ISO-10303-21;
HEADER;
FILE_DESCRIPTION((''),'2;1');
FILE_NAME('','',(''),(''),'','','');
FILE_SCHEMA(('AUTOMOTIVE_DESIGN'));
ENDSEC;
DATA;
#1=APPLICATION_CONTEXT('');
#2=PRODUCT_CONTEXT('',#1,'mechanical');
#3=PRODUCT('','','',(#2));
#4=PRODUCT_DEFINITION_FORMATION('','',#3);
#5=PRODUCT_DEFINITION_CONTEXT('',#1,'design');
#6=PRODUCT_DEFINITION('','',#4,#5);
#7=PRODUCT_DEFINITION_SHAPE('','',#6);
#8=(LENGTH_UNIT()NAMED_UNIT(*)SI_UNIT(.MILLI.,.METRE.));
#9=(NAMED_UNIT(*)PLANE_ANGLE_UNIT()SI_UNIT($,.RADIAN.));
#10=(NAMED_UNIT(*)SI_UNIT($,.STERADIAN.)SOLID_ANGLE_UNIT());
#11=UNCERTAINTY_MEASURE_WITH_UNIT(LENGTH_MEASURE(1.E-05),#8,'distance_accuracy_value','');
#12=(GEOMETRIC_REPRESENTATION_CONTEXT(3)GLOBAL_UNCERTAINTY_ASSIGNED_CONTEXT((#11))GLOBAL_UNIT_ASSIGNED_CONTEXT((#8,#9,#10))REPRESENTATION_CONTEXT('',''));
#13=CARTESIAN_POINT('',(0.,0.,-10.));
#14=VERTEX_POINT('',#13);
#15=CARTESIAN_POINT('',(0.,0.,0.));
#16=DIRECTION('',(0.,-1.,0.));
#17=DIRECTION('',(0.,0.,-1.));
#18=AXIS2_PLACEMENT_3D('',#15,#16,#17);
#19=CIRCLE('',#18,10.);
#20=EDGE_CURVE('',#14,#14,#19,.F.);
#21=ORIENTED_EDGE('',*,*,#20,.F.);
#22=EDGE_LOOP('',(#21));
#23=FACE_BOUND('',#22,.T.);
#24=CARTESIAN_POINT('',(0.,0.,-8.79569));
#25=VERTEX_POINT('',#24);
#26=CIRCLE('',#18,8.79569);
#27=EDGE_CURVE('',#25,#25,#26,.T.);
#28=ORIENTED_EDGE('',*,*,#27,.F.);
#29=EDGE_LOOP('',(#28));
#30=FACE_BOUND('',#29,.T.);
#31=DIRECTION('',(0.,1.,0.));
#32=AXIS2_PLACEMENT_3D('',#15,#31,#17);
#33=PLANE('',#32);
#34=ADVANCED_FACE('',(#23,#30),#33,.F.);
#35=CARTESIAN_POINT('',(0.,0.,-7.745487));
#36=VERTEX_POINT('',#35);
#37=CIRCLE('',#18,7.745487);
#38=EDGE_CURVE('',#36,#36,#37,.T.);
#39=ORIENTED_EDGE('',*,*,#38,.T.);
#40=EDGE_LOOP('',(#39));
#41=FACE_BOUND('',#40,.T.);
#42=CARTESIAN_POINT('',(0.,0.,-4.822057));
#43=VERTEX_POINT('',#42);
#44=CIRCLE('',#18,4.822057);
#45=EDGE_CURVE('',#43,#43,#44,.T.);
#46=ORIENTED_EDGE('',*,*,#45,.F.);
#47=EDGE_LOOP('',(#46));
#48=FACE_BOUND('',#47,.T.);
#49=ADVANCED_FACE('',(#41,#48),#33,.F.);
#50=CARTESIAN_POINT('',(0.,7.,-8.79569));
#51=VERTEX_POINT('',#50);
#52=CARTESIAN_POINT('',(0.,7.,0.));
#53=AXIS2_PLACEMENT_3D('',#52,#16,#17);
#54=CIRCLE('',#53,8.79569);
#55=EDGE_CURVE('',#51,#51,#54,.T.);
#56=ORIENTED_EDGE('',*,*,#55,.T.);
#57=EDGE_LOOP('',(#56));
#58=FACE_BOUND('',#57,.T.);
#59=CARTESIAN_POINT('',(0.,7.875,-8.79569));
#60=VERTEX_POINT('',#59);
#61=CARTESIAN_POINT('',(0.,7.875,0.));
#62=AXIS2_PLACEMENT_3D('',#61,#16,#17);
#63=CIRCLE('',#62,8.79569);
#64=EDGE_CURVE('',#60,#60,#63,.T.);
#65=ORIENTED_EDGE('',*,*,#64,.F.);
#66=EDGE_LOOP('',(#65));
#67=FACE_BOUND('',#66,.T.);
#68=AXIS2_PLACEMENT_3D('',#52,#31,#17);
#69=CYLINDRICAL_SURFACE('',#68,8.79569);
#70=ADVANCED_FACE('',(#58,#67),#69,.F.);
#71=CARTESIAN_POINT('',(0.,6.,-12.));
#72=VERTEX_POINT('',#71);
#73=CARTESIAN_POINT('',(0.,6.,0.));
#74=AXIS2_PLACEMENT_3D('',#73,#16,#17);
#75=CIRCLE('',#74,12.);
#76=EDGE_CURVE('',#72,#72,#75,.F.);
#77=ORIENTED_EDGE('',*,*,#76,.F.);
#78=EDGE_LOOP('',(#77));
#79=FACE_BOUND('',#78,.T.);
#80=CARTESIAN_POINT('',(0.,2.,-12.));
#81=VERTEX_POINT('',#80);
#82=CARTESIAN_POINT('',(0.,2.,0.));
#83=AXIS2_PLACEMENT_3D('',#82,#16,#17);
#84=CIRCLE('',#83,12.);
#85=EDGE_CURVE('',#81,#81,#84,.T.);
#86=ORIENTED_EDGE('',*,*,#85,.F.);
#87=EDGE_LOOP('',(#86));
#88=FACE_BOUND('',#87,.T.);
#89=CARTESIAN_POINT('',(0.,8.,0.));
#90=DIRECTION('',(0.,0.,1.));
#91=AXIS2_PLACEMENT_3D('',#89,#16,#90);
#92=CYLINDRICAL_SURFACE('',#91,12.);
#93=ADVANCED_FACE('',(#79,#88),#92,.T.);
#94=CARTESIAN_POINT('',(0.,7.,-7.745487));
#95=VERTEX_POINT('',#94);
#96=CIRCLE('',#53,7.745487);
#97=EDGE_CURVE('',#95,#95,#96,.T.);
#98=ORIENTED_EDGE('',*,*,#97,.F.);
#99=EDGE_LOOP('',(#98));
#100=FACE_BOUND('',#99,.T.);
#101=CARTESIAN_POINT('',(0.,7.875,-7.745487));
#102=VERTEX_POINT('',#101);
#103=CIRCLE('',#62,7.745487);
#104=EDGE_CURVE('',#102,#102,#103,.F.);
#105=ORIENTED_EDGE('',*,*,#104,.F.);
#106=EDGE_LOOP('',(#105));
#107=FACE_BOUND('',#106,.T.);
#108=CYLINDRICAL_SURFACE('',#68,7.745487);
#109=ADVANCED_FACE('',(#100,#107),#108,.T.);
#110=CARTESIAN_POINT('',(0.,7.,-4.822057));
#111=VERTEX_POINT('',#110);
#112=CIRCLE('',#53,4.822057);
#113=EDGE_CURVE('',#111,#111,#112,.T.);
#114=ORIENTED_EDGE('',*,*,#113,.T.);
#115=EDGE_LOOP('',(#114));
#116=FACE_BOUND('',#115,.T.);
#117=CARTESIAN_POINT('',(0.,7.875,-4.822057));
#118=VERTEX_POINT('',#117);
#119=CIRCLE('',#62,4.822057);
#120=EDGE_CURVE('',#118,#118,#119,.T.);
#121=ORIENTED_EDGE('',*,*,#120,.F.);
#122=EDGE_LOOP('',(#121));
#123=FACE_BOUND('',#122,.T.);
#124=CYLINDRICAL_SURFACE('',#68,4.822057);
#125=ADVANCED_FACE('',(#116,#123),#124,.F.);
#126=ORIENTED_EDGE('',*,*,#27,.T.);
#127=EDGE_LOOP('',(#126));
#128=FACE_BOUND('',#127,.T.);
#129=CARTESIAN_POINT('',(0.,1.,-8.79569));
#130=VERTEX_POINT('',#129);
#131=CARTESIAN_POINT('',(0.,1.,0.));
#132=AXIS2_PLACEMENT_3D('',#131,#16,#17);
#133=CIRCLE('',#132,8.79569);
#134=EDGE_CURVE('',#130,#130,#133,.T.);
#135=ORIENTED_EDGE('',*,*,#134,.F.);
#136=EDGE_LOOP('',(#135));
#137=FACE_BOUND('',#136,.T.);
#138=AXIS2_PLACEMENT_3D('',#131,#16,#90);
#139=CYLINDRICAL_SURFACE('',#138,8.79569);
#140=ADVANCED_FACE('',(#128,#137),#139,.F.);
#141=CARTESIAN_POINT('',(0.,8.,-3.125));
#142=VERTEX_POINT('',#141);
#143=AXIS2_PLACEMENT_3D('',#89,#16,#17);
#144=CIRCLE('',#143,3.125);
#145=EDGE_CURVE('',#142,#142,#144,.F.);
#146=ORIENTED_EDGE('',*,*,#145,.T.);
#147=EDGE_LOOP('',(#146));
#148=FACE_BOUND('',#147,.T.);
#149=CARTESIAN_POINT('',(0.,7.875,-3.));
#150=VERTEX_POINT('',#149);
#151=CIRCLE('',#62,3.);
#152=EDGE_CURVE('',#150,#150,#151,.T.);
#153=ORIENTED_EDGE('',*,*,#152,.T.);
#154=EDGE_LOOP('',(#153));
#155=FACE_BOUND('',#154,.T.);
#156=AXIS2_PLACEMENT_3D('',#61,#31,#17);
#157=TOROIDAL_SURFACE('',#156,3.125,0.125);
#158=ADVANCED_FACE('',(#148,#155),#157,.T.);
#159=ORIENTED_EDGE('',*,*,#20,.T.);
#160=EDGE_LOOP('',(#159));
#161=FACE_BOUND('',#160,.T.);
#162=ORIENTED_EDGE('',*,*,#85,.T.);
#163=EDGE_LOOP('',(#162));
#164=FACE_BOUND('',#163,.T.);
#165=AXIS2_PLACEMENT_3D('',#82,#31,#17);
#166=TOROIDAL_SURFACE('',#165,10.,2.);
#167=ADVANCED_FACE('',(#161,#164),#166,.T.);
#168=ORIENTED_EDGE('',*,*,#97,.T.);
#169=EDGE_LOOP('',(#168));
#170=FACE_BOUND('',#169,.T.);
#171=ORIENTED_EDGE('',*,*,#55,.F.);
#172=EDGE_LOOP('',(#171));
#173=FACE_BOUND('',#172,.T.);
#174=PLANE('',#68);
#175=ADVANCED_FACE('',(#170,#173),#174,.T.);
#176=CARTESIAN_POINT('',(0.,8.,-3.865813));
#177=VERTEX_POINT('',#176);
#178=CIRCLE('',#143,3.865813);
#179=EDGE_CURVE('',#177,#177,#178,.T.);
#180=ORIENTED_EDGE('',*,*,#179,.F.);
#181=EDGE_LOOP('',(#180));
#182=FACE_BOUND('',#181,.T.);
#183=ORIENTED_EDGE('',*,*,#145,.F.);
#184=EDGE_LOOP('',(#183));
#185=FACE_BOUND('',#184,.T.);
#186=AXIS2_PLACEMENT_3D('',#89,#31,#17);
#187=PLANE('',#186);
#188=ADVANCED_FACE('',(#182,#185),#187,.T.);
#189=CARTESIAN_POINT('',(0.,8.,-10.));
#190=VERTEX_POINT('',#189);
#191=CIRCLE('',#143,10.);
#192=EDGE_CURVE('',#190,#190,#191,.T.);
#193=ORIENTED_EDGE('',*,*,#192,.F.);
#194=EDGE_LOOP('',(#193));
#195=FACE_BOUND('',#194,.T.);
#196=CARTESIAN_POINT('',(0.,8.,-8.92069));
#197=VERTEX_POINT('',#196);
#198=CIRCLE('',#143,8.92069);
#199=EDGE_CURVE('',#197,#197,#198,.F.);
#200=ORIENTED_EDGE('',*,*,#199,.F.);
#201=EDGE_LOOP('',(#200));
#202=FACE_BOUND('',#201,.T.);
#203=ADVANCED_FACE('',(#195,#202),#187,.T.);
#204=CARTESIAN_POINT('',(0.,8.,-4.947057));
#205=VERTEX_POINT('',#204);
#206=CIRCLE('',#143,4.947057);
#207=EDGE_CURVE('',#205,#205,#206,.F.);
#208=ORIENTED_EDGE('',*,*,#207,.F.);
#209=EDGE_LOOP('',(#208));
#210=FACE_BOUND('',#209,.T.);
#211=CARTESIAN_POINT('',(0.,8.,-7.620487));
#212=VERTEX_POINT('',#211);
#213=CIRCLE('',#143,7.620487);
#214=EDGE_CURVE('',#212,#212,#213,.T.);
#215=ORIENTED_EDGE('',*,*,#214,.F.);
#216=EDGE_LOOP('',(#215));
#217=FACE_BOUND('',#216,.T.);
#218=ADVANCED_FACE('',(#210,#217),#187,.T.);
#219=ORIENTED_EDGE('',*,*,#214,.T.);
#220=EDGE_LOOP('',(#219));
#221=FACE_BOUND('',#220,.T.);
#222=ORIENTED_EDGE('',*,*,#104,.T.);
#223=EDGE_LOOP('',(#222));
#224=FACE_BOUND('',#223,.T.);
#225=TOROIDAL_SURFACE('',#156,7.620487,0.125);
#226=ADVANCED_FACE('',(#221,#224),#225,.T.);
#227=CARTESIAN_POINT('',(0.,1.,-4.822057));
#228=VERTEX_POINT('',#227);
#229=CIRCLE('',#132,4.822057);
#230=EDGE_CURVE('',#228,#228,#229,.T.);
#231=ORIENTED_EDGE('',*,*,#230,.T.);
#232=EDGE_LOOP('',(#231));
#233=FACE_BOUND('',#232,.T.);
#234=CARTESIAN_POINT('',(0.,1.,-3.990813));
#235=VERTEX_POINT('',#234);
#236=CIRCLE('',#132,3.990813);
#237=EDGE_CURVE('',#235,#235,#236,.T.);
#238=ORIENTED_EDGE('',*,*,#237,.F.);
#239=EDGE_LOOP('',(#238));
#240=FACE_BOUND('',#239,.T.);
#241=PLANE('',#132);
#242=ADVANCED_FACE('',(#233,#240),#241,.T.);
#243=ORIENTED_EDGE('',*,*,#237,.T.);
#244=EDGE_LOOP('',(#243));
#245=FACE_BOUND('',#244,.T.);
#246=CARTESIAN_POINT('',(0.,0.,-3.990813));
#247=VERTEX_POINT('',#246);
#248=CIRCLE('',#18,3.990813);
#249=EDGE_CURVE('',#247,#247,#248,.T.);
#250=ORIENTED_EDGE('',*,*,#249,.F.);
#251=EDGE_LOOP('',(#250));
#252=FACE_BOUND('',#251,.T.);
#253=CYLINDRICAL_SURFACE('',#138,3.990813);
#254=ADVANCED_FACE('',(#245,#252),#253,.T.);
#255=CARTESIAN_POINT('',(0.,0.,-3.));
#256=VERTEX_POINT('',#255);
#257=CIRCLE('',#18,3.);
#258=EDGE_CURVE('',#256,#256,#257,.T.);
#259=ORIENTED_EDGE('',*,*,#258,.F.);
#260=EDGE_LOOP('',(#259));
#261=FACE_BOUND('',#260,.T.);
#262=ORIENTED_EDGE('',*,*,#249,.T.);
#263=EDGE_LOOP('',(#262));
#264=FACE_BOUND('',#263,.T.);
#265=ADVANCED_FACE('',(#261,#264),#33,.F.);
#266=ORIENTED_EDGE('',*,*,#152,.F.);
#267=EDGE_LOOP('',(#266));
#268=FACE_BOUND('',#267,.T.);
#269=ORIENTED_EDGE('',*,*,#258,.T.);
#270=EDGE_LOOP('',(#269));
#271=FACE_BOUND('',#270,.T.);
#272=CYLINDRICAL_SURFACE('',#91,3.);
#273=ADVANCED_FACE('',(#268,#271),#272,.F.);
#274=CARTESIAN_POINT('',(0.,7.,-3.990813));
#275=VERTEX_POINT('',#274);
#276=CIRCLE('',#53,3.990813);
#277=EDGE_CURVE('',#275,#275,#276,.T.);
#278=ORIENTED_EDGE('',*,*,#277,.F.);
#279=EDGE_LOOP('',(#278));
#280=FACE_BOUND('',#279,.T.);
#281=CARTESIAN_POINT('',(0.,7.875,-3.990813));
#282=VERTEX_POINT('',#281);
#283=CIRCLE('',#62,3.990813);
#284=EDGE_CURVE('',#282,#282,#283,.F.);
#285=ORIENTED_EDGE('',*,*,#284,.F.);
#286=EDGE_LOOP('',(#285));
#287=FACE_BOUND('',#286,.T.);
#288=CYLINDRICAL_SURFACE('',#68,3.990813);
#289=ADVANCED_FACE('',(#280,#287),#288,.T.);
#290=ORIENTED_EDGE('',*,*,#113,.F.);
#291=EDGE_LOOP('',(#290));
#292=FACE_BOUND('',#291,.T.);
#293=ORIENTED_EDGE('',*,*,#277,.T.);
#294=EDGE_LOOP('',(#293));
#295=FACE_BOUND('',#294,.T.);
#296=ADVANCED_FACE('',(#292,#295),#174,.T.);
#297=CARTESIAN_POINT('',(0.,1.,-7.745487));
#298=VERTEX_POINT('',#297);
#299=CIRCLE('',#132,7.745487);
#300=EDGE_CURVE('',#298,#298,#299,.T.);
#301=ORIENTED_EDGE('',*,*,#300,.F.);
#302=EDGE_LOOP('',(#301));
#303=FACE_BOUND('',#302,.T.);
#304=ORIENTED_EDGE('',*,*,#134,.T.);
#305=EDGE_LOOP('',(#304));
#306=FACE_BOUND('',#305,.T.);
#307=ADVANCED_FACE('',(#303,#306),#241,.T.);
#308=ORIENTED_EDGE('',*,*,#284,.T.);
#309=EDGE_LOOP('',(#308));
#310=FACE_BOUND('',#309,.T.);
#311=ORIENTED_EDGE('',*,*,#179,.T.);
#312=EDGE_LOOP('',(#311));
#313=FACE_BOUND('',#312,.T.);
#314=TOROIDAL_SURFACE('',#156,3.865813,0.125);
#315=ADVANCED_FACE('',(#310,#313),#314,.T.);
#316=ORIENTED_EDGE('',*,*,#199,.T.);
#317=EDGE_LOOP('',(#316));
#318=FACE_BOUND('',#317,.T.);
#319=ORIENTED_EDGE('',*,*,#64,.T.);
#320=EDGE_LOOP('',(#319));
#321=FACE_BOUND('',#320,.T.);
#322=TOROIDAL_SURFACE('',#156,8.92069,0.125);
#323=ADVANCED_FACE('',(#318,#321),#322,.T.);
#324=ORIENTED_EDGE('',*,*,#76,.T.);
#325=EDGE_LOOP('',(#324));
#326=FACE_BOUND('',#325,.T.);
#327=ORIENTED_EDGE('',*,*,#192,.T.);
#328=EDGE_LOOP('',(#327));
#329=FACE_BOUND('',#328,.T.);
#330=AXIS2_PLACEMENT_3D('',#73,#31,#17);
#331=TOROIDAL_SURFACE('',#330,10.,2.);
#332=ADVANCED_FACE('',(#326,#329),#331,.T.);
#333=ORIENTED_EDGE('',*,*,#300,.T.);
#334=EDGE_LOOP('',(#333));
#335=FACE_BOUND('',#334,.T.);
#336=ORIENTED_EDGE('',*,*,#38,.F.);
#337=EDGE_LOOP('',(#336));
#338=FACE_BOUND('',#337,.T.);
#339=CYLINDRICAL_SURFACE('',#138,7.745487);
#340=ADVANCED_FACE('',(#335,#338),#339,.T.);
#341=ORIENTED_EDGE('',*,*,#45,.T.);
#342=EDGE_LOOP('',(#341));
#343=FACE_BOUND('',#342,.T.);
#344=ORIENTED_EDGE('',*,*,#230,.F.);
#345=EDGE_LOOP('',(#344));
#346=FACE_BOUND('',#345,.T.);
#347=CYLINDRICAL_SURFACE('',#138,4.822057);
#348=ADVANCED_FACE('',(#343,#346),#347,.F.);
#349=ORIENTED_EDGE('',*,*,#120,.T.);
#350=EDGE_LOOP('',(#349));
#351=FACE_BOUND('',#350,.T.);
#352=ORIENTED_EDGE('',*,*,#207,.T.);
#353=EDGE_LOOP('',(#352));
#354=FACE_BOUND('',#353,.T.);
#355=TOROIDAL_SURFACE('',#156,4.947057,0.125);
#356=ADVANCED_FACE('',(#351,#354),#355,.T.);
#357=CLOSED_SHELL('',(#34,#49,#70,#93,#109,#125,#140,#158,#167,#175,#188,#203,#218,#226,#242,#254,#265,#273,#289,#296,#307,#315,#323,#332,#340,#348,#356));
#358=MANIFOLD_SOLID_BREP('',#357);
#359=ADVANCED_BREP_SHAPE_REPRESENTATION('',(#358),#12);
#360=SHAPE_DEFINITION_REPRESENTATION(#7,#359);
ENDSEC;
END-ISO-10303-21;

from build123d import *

# Parameters (mm, degrees)
SKETCH1_R           = 12
SKETCH1_R_2         = 3
BOSS_EXTRUDE1_DEPTH = 8
FILLET1_R           = 2
SKETCH3_R           = 8.795689967
SKETCH3_R_2         = 7.745486604
SKETCH3_R_3         = 4.822057037
SKETCH3_R_4         = 3.990813244
CUT_EXTRUDE1_DEPTH  = 1
FILLET2_R           = 0.125


with BuildPart() as part:
    # Sketch1 → Boss-Extrude1 (new body)
    with BuildSketch(Plane(origin=(0, 0, 0), x_dir=(1, 0, 0), z_dir=(0, 1, 0))):
        with Locations(Location((0, 0, 0), (0, 0, 270))):
            Circle(SKETCH1_R)
        with Locations(Location((0, 0, 0), (0, 0, 270))):
            Circle(SKETCH1_R_2, mode=Mode.SUBTRACT)
    extrude(amount=BOSS_EXTRUDE1_DEPTH)

    # Fillet1
    fillet1_edges = [part.edges().sort_by_distance(p)[0] for p in [
        (0, 0, -12),
        (0, 8, -12),
    ]]
    fillet(fillet1_edges, radius=FILLET1_R)

    # Sketch3 → Cut-Extrude1 (cut)
    # profile 1 of 2: a face of its own
    with BuildSketch(Plane(origin=(0, 8, 0), x_dir=(1, 0, 0), z_dir=(0, 1, 0))):
        with Locations(Location((0, 0, 0), (0, 0, 270))):
            Circle(SKETCH3_R)
        with Locations(Location((0, 0, 0), (0, 0, 270))):
            Circle(SKETCH3_R_2, mode=Mode.SUBTRACT)
    # profile 2 of 2: a face of its own
    with BuildSketch(Plane(origin=(0, 8, 0), x_dir=(1, 0, 0), z_dir=(0, 1, 0))):
        with Locations(Location((0, 0, 0), (0, 0, 270))):
            Circle(SKETCH3_R_3)
        with Locations(Location((0, 0, 0), (0, 0, 270))):
            Circle(SKETCH3_R_4, mode=Mode.SUBTRACT)
    cut_extrude1 = extrude(amount=-CUT_EXTRUDE1_DEPTH, mode=Mode.SUBTRACT)

    # Mirror1: Cut-Extrude1 across plane
    add(cut_extrude1.mirror(Plane.ZX.offset(4)), mode=Mode.SUBTRACT)

    # Fillet2
    fillet2_edges = [part.edges().sort_by_distance(p)[0] for p in [
        (0, 8, -3.990813244),
        (0, 8, -4.822057037),
        (0, 8, -7.745486604),
        (0, 8, -8.795689967),
        (0, 8, -3),
    ]]
    fillet(fillet2_edges, radius=FILLET2_R)


solid = part.part
